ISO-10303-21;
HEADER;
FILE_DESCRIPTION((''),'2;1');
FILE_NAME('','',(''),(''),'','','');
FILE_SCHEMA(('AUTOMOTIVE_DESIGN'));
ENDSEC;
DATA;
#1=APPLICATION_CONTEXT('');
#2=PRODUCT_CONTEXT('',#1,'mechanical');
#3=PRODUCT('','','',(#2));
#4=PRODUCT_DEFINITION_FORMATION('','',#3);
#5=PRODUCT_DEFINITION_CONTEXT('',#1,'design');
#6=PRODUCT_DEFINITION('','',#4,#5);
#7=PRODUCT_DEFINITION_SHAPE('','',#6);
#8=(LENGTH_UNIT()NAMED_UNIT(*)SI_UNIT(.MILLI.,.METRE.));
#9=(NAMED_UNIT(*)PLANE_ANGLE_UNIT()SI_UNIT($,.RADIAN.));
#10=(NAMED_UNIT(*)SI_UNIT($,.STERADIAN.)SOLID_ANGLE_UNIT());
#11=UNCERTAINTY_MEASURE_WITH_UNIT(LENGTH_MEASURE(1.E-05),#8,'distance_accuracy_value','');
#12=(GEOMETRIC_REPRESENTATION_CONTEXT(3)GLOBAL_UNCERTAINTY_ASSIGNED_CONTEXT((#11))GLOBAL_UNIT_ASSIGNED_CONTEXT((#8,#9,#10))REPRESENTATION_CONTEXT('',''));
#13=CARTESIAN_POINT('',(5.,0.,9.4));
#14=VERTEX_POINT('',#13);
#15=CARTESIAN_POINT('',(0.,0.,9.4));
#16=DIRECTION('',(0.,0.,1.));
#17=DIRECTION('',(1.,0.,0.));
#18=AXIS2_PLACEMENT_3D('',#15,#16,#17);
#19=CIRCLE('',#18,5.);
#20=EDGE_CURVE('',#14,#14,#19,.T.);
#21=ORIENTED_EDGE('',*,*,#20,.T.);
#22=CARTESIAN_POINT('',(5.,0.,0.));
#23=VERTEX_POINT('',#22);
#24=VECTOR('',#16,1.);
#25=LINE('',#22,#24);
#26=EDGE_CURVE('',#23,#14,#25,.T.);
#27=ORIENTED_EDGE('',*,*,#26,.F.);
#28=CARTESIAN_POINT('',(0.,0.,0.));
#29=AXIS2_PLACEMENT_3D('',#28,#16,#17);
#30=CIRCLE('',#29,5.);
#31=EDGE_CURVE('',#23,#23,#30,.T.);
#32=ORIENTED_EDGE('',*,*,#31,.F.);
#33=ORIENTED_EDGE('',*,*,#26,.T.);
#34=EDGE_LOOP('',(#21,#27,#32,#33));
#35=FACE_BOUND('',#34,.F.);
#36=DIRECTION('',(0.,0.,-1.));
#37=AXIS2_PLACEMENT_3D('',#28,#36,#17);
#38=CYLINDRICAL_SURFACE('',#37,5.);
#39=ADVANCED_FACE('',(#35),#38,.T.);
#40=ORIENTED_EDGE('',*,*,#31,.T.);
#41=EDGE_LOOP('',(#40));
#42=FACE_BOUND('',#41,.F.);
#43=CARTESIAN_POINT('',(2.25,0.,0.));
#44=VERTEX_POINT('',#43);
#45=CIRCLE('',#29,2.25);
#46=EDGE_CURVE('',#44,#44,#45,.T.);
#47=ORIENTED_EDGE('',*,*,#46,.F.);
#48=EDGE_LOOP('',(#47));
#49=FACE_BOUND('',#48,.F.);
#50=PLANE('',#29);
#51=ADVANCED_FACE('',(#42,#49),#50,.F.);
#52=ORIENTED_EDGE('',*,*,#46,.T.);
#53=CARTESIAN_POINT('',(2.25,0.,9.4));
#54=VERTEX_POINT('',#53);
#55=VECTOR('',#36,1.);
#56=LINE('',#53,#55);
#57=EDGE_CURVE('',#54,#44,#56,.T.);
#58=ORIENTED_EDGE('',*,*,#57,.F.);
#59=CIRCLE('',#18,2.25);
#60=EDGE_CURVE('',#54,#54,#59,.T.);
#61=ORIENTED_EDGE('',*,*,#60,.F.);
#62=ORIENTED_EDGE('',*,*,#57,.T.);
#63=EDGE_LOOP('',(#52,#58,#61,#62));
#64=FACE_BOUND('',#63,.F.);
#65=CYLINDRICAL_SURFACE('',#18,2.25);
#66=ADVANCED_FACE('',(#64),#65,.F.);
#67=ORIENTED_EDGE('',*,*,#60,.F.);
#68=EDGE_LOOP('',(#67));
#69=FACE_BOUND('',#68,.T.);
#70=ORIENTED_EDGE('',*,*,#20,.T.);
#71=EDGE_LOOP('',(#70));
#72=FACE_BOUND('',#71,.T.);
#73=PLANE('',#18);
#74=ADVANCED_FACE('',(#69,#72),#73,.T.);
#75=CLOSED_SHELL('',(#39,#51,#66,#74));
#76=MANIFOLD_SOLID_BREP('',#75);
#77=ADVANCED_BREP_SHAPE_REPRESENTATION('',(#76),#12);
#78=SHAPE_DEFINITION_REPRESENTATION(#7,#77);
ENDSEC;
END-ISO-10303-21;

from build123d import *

# Parameters (mm, degrees)
SKETCH_R     = 5
PAD_DEPTH    = 9.4
SKETCH001_R  = 2.25
POCKET_DEPTH = 9.401


with BuildPart() as part:
    # Sketch → Pad (new body)
    with BuildSketch(Plane.XY):
        Circle(SKETCH_R)
    extrude(amount=PAD_DEPTH)

    # Sketch001 → Pocket (cut, through all)
    with BuildSketch(Plane.XY.offset(9.4)):
        Circle(SKETCH001_R)
    extrude(amount=-POCKET_DEPTH, mode=Mode.SUBTRACT)


solid = part.part
